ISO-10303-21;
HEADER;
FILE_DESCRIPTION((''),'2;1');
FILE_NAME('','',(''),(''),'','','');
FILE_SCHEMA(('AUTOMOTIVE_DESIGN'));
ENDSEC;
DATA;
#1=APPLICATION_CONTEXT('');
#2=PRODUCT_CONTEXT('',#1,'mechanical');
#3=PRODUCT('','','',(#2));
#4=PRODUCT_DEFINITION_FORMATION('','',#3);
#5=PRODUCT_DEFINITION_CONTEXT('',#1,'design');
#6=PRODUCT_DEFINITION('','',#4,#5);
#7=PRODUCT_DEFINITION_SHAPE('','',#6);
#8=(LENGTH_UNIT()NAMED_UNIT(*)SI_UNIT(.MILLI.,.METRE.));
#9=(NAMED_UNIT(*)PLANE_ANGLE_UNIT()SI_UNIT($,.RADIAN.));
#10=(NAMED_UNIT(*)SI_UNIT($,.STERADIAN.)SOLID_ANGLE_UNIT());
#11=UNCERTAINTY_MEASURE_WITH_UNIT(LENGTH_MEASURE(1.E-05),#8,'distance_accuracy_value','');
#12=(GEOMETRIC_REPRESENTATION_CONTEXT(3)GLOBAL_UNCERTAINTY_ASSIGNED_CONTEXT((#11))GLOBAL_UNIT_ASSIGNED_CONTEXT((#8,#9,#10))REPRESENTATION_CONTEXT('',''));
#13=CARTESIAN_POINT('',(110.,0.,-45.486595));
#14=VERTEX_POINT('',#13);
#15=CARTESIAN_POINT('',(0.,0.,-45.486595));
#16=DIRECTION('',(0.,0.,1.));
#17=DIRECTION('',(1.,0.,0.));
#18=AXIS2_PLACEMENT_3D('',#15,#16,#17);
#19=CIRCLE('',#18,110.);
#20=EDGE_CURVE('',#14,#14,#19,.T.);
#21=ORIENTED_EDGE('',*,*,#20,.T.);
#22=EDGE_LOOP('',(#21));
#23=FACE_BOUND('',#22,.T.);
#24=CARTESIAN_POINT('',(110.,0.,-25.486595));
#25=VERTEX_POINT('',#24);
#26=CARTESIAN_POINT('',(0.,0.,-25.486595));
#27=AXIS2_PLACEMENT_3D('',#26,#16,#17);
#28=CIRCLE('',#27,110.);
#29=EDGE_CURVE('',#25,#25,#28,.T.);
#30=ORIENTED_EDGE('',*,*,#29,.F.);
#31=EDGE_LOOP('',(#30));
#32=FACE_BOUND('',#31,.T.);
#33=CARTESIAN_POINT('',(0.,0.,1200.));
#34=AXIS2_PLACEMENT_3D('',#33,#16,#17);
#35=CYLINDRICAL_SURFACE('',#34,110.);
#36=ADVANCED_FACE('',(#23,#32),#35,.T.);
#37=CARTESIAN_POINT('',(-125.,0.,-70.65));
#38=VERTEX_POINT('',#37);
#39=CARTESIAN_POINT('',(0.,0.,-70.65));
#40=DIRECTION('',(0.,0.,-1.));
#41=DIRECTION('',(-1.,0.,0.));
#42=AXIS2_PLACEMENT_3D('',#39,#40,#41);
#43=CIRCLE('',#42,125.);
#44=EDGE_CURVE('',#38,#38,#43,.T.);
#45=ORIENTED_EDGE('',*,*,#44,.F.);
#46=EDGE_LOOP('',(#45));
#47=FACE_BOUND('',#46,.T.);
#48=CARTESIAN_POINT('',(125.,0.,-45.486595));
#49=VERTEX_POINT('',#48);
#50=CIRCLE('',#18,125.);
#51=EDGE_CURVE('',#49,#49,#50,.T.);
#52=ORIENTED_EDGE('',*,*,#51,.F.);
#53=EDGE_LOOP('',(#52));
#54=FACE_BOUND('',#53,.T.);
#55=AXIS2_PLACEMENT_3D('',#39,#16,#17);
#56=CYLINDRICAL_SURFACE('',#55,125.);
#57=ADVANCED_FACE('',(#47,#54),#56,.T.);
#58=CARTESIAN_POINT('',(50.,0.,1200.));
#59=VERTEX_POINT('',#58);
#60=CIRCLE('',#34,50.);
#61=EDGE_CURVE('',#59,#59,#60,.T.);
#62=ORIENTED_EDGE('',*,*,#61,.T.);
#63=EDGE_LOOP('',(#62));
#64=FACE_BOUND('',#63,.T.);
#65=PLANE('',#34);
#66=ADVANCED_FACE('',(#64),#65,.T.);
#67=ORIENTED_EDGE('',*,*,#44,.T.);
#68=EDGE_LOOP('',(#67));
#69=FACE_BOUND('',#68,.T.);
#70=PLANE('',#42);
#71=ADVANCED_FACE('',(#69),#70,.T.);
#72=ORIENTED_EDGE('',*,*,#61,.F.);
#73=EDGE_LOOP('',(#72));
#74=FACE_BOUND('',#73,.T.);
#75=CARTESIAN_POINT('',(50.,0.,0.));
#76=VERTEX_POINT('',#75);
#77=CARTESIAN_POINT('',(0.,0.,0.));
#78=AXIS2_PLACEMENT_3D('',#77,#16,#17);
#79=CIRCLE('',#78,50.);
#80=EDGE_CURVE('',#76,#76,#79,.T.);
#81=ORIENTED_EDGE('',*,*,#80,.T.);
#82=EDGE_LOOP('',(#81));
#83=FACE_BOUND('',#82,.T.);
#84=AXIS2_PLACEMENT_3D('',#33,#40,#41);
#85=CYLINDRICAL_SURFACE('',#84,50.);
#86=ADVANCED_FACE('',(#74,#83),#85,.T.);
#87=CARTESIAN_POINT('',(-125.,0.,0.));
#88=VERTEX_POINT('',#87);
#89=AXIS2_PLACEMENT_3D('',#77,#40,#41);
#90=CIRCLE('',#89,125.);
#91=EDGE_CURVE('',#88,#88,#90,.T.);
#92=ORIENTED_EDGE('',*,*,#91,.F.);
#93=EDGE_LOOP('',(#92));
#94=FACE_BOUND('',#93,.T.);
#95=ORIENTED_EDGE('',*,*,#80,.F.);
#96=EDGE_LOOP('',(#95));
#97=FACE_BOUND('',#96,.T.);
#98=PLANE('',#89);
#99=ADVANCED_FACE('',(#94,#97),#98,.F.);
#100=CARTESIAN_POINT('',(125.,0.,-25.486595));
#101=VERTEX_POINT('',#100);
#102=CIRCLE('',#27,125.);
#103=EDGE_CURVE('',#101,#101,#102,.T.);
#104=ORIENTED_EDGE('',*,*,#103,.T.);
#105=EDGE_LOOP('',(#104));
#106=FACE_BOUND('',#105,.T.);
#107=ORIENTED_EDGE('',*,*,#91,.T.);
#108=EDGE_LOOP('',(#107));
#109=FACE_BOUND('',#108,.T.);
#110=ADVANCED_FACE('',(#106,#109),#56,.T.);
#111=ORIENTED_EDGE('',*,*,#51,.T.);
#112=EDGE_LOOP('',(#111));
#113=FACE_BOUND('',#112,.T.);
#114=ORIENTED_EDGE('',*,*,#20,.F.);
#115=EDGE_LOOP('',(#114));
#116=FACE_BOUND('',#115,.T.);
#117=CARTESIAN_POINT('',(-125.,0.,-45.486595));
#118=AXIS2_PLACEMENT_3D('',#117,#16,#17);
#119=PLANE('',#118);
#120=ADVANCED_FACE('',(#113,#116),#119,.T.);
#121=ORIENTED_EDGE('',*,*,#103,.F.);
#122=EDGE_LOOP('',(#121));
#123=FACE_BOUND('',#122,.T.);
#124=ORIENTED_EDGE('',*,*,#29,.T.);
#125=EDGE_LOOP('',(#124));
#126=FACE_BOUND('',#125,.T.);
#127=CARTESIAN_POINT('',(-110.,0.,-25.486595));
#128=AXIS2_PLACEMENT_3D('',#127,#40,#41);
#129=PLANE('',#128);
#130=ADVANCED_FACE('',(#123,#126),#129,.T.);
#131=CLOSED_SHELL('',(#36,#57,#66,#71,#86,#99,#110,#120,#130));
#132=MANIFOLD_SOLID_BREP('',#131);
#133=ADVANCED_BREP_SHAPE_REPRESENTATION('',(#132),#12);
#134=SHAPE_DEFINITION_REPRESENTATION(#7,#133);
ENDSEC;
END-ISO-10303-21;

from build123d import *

# Parameters (mm, degrees)
SKETCH1_R           = 50
BOSS_EXTRUDE1_DEPTH = 1200
SKETCH2_R           = 125
BOSS_EXTRUDE2_DEPTH = 70.65
SKETCH5_W           = 15
SKETCH5_H           = 20


with BuildPart() as part:
    # Sketch1 → Boss-Extrude1 (new body)
    with BuildSketch(Plane.XY):
        Circle(SKETCH1_R)
    extrude(amount=BOSS_EXTRUDE1_DEPTH)

    # Sketch2 → Boss-Extrude2 (add)
    with BuildSketch(Plane(origin=(0, 0, 0), x_dir=(-1, 0, 0), z_dir=(0, 0, -1))):
        Circle(SKETCH2_R)
    extrude(amount=BOSS_EXTRUDE2_DEPTH)

    # Sketch5 → Cut-Revolve1 (revolve, cut)
    with BuildSketch(Plane(origin=(0, 0, 0), x_dir=(1, 0, 0), z_dir=(0, 1, 0)), mode=Mode.PRIVATE) as cut_revolve1_sk:
        with Locations((-117.5, 35.486594565)):
            Rectangle(SKETCH5_W, SKETCH5_H)
    revolve(cut_revolve1_sk.sketch.rotate(Axis((0, 0, 1200), (0, 0, -1)), 180), axis=Axis((0, 0, 1200), (0, 0, -1)), mode=Mode.SUBTRACT)


solid = part.part
